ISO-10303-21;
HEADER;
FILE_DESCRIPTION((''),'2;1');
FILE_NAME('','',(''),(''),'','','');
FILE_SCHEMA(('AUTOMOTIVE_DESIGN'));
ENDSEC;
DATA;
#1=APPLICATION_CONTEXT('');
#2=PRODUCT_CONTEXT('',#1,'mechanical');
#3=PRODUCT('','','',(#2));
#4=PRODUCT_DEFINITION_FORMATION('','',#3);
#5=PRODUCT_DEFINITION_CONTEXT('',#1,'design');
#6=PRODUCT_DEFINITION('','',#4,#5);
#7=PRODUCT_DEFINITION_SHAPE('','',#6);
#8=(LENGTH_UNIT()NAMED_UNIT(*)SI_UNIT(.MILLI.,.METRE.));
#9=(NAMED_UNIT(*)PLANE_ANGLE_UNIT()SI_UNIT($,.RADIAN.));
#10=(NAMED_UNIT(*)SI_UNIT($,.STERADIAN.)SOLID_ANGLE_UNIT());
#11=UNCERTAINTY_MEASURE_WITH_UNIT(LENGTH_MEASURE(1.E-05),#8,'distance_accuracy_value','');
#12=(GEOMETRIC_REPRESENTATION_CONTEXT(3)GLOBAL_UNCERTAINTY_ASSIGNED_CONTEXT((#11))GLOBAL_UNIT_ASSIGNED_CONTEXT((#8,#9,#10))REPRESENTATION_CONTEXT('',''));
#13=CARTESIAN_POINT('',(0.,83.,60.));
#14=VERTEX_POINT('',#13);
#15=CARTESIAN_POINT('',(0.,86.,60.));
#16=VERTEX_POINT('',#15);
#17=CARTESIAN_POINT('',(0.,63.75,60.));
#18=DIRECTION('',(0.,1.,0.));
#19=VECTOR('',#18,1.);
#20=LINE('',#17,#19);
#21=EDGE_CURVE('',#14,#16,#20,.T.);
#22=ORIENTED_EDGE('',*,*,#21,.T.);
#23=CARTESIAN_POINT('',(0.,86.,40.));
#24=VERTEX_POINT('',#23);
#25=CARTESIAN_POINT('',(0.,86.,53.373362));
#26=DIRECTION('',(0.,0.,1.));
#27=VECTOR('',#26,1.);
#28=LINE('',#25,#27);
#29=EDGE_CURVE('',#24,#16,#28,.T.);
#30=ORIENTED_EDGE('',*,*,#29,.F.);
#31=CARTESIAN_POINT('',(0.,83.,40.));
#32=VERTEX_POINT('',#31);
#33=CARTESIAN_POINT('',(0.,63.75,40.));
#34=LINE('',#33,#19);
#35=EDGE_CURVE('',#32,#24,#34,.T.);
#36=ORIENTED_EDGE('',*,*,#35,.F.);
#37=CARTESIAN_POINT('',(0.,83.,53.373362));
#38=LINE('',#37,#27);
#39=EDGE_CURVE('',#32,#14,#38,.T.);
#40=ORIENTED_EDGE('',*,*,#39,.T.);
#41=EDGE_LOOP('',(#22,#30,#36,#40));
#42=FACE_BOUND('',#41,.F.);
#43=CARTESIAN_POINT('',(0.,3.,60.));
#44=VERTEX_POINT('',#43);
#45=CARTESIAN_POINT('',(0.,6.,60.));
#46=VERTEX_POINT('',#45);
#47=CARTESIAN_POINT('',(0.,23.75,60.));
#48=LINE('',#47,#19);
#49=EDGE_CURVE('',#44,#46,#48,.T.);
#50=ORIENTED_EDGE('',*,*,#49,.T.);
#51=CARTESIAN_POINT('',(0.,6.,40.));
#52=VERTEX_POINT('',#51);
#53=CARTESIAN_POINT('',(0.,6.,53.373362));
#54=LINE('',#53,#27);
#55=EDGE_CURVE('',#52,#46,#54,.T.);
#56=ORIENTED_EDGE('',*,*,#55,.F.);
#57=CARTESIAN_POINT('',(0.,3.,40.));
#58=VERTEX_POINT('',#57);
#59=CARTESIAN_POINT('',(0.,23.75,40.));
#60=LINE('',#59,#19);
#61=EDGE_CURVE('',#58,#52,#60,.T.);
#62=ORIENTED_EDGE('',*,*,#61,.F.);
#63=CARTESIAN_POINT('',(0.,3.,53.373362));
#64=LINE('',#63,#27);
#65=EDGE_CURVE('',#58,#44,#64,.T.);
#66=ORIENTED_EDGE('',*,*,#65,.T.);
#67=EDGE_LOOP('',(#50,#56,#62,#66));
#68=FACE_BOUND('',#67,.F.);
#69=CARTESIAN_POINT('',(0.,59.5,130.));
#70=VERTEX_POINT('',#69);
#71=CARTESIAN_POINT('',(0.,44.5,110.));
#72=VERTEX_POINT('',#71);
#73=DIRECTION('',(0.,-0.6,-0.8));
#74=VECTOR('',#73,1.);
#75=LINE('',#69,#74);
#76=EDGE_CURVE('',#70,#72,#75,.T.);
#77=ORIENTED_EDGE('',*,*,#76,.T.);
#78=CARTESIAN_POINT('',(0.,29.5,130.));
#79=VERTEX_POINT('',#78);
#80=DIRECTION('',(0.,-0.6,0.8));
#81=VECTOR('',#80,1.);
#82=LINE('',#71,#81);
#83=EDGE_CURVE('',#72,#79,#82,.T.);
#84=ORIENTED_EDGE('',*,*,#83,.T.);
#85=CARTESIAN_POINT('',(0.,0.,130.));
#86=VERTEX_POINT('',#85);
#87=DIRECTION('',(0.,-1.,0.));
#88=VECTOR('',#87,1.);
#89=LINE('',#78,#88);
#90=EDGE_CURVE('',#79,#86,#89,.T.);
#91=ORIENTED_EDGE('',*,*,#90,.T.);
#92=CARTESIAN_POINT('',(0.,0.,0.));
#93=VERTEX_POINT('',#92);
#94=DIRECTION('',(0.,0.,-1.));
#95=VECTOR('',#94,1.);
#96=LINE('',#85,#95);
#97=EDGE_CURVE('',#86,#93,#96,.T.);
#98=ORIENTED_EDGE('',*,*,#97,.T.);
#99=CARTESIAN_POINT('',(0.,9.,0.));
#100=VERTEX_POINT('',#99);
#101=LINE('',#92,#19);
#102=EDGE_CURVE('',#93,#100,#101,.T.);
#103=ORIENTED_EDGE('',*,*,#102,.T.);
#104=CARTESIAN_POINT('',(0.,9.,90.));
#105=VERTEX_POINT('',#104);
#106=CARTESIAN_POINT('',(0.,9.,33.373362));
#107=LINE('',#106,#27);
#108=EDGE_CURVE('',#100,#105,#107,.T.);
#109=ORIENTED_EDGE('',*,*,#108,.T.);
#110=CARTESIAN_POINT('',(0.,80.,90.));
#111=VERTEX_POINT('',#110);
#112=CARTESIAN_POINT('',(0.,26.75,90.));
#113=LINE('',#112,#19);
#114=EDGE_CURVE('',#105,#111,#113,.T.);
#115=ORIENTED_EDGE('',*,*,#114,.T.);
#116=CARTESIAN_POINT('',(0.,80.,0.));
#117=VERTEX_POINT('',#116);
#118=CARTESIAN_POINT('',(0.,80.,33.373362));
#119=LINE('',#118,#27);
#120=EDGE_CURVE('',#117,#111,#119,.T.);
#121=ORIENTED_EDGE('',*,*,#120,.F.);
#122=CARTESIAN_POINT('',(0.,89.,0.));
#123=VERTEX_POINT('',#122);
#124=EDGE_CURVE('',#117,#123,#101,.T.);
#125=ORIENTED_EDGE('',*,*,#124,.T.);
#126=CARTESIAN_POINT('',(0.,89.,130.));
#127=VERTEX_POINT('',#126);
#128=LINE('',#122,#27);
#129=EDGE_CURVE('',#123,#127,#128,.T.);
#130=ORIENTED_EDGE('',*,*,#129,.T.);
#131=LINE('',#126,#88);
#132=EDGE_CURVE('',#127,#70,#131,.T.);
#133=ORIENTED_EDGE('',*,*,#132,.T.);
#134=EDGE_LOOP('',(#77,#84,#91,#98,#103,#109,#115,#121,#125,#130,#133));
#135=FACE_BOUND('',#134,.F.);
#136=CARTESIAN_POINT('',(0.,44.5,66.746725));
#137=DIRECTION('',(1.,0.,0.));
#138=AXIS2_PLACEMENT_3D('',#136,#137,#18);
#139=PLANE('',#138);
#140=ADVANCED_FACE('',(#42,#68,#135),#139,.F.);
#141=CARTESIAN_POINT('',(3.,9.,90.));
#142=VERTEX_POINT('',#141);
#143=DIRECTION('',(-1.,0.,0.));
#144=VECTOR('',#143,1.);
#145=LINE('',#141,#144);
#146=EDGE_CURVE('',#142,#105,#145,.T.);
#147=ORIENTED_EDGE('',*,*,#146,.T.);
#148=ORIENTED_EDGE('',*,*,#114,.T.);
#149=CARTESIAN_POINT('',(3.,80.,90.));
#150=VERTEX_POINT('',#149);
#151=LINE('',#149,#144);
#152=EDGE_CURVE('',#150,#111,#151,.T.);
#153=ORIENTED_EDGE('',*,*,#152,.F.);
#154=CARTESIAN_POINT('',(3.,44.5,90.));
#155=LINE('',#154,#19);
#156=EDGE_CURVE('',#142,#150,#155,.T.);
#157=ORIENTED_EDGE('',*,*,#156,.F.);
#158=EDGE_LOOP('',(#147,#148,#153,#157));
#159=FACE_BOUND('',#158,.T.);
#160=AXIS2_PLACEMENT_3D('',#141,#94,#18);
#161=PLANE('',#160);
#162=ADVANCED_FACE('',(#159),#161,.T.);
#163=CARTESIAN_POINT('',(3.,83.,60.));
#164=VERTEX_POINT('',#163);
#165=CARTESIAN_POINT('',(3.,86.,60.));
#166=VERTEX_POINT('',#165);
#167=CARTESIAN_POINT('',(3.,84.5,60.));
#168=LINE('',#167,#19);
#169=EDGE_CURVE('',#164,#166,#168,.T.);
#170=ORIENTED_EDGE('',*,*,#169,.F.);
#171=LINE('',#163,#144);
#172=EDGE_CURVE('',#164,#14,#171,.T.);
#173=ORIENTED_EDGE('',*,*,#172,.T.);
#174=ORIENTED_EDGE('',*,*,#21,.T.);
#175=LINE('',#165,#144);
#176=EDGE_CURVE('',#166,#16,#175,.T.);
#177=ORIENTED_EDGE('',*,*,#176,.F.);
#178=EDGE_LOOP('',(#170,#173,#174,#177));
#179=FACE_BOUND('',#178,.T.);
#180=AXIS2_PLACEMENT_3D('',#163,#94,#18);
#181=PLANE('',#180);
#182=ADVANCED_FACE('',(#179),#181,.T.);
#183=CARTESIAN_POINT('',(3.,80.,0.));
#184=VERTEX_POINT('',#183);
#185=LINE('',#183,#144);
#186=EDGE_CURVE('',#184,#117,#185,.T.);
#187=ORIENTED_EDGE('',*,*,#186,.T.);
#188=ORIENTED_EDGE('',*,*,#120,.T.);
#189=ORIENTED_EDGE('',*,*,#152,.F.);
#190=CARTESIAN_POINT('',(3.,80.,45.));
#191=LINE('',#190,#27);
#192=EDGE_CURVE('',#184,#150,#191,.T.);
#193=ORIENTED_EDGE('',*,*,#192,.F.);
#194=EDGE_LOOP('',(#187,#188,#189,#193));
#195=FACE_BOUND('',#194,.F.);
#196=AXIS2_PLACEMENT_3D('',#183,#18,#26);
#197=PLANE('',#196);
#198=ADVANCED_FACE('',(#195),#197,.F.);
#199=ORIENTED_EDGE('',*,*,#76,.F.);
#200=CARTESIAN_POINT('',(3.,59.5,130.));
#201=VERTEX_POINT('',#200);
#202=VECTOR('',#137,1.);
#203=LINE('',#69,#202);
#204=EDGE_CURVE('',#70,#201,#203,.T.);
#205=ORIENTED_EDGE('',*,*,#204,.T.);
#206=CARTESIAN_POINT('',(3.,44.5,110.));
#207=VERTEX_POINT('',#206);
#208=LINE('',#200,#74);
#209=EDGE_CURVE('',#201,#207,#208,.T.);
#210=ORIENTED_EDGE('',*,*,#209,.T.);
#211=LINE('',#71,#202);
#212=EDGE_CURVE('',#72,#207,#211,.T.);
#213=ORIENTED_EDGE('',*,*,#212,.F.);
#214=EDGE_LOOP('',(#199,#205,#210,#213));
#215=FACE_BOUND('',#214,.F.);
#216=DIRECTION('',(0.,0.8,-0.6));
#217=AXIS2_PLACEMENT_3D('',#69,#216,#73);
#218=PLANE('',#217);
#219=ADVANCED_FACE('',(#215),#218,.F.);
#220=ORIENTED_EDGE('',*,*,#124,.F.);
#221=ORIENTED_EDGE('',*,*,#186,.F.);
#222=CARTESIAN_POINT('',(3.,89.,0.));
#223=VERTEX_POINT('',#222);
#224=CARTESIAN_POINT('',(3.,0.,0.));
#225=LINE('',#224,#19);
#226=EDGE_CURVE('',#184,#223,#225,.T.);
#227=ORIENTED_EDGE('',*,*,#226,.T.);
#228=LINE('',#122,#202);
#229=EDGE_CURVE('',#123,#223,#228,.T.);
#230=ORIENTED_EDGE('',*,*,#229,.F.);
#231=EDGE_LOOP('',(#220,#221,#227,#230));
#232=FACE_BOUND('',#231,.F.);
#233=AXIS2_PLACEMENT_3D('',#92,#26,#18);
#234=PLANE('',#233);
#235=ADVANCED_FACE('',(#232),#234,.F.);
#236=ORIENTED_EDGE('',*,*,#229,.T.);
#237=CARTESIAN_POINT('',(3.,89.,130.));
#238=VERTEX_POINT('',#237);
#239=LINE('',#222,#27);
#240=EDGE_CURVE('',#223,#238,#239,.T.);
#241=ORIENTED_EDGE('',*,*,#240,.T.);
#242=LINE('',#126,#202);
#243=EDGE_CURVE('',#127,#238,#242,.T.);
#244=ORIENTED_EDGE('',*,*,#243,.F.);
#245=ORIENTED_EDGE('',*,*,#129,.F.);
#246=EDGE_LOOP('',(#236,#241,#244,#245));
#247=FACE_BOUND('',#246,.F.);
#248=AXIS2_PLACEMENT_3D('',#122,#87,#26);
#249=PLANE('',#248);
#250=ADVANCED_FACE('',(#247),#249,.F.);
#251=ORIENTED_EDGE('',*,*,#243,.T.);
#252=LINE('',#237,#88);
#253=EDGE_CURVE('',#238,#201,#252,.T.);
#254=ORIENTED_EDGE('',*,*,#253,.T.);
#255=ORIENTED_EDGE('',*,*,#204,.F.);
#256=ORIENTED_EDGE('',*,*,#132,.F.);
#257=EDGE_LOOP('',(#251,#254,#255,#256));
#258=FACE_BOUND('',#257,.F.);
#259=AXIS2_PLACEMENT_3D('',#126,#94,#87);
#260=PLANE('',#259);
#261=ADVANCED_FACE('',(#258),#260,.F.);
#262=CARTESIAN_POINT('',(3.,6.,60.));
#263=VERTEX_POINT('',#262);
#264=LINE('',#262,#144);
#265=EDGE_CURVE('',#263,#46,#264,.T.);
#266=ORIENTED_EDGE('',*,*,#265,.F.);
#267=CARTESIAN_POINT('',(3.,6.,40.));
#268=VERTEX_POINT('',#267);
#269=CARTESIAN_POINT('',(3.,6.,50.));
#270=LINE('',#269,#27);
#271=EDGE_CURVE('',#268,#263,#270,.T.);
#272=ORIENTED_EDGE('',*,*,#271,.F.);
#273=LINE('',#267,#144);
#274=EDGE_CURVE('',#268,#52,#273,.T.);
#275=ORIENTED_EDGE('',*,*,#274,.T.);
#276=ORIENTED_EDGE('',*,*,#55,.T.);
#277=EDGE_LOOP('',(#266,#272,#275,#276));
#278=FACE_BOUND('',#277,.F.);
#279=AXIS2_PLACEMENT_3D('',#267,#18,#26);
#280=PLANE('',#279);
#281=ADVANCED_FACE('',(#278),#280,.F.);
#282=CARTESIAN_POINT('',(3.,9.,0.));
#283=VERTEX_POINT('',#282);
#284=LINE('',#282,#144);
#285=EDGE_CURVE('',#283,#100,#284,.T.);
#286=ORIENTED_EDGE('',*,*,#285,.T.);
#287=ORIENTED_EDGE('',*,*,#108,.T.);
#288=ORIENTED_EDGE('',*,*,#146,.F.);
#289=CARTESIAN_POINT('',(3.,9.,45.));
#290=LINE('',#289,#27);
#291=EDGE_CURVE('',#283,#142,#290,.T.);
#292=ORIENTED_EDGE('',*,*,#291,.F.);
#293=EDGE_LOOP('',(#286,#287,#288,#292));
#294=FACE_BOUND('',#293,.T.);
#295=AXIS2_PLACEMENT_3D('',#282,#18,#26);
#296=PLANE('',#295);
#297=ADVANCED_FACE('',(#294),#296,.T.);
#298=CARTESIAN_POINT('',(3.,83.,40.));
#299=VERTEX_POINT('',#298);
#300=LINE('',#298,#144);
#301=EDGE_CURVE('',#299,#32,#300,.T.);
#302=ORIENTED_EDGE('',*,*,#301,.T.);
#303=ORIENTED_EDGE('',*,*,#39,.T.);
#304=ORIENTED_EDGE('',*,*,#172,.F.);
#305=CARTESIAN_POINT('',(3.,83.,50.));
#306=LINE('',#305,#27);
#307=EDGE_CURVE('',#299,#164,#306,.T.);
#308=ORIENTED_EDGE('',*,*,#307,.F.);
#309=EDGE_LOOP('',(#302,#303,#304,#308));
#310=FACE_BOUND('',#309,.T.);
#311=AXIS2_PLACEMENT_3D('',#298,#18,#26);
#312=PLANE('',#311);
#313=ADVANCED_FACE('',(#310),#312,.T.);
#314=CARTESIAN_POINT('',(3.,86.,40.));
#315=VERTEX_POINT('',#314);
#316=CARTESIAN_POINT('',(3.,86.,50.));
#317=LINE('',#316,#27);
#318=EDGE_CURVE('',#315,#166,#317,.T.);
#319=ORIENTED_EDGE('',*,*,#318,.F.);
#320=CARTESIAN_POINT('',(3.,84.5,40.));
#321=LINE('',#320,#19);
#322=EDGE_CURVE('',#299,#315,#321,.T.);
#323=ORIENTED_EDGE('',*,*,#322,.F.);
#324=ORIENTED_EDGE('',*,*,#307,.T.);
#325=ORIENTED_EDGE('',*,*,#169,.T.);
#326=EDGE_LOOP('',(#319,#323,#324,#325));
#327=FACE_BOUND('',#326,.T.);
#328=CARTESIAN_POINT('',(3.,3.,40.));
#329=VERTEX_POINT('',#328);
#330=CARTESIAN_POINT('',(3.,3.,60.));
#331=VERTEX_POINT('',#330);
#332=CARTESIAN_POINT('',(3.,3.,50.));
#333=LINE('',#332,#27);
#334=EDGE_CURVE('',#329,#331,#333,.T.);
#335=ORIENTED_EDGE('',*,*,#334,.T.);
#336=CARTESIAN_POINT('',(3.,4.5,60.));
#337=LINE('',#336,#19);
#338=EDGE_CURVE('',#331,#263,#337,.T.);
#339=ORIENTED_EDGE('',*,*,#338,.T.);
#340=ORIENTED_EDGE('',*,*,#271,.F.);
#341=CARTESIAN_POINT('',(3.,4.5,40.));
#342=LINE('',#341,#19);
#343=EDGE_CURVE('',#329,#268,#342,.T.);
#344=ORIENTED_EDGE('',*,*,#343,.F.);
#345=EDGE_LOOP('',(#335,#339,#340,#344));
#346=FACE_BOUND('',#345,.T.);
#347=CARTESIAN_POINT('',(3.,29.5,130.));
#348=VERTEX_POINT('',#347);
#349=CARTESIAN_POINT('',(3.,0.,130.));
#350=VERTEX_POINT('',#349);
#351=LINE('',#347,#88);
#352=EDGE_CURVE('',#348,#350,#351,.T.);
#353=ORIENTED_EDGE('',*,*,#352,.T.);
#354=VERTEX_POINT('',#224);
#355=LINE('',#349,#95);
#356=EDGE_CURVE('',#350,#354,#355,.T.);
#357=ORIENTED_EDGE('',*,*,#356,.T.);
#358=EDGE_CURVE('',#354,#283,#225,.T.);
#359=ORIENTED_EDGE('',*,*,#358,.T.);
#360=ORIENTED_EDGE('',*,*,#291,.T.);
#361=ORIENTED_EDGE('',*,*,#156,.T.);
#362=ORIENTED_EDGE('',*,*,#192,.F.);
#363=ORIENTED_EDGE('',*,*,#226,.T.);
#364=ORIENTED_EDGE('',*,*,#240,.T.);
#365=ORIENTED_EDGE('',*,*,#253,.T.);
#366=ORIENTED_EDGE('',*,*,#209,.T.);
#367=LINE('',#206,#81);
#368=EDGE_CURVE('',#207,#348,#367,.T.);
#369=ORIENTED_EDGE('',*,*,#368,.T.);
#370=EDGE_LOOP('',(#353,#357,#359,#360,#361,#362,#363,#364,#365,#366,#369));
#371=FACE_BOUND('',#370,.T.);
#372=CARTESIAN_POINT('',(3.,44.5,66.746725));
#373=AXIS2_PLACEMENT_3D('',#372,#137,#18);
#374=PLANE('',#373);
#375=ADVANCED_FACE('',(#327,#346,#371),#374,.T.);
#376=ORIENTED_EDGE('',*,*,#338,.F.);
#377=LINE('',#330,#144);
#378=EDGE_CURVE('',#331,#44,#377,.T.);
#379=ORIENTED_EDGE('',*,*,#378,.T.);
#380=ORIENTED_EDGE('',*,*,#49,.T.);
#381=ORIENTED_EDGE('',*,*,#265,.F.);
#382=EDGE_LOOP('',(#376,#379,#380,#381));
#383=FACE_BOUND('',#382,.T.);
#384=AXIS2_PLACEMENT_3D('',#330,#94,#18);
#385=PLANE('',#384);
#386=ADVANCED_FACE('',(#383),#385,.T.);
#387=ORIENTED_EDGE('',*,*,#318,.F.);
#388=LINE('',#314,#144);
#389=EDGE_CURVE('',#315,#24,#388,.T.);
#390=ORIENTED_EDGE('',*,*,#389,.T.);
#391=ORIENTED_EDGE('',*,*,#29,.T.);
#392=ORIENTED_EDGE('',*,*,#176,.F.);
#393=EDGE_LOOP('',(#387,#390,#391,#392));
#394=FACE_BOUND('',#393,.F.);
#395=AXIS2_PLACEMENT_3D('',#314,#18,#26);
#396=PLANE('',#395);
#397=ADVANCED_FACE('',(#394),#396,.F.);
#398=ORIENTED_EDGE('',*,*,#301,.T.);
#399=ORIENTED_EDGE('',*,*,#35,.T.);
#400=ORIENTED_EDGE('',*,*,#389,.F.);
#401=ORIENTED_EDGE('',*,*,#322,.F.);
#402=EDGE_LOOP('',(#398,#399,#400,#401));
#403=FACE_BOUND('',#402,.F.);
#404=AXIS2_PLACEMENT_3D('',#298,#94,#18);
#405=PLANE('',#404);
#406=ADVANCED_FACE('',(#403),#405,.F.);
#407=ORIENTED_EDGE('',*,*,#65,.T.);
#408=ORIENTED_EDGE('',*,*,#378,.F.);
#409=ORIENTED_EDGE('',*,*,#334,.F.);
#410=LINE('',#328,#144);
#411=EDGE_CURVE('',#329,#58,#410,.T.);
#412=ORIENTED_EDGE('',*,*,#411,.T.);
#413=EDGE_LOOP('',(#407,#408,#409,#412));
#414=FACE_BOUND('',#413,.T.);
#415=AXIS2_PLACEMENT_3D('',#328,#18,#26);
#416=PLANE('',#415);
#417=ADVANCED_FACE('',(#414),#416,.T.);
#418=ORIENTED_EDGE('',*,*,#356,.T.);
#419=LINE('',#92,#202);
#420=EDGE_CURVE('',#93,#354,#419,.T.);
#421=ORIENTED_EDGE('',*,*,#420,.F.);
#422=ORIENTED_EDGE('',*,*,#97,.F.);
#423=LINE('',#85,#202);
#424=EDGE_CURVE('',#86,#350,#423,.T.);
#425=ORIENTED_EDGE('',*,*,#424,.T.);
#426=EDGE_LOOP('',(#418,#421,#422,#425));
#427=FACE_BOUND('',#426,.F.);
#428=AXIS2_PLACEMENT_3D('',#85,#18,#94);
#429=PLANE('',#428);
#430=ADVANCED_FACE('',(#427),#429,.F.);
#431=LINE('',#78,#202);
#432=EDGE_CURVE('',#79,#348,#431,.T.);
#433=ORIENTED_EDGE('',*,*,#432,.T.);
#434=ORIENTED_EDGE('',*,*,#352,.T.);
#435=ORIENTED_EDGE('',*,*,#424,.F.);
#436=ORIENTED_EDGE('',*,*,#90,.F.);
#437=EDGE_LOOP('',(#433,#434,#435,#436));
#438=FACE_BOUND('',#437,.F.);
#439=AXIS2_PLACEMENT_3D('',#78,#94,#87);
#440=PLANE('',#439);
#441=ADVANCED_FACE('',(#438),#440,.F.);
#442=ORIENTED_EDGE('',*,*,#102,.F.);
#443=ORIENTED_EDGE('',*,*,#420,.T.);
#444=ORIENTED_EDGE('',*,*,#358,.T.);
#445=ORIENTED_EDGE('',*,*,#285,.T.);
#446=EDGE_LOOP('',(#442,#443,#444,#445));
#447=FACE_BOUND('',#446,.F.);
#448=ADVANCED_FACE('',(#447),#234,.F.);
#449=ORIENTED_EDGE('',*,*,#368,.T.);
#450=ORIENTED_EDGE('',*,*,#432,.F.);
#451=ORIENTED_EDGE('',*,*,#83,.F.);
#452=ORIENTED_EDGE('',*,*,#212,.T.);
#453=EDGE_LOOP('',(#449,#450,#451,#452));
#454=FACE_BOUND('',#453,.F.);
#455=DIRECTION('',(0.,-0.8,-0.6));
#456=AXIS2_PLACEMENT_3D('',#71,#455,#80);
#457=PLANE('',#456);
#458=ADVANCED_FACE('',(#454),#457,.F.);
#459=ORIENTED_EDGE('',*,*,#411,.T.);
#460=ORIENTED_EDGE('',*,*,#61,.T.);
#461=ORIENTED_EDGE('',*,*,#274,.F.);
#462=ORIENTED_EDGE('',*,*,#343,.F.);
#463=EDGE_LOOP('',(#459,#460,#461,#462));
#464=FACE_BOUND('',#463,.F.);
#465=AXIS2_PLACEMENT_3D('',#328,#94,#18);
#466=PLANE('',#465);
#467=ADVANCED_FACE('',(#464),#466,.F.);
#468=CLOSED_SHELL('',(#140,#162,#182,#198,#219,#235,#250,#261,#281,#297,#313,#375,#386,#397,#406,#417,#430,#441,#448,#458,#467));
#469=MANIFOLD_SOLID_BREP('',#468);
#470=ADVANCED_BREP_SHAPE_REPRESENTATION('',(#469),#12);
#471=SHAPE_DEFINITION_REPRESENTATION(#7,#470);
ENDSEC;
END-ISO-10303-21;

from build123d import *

# Parameters (mm, degrees)
F1_DEPTH = 3
F2_W     = 3
F2_H     = 20
F2_W_2   = 71
F2_H_2   = 90
F3_DEPTH = 25


with BuildPart() as f1:
    # F0 (on Right) → F1 (new body)
    with BuildSketch(Plane.YZ):
        Polygon((29.5, 130), (0, 130), (0, 0), (89, 0), (89, 130), (59.5, 130), (44.5, 110), align=None)
    extrude(amount=F1_DEPTH)

    # F2 (on face) → F3 (cut)
    with BuildSketch(Plane.YZ.offset(3)):
        with Locations((4.5, 50)):
            Rectangle(F2_W, F2_H)
        with Locations((84.5, 50)):
            Rectangle(F2_W, F2_H)
        with Locations((44.5, 45)):
            Rectangle(F2_W_2, F2_H_2)
    extrude(amount=-F3_DEPTH, mode=Mode.SUBTRACT)


solid = f1.part
